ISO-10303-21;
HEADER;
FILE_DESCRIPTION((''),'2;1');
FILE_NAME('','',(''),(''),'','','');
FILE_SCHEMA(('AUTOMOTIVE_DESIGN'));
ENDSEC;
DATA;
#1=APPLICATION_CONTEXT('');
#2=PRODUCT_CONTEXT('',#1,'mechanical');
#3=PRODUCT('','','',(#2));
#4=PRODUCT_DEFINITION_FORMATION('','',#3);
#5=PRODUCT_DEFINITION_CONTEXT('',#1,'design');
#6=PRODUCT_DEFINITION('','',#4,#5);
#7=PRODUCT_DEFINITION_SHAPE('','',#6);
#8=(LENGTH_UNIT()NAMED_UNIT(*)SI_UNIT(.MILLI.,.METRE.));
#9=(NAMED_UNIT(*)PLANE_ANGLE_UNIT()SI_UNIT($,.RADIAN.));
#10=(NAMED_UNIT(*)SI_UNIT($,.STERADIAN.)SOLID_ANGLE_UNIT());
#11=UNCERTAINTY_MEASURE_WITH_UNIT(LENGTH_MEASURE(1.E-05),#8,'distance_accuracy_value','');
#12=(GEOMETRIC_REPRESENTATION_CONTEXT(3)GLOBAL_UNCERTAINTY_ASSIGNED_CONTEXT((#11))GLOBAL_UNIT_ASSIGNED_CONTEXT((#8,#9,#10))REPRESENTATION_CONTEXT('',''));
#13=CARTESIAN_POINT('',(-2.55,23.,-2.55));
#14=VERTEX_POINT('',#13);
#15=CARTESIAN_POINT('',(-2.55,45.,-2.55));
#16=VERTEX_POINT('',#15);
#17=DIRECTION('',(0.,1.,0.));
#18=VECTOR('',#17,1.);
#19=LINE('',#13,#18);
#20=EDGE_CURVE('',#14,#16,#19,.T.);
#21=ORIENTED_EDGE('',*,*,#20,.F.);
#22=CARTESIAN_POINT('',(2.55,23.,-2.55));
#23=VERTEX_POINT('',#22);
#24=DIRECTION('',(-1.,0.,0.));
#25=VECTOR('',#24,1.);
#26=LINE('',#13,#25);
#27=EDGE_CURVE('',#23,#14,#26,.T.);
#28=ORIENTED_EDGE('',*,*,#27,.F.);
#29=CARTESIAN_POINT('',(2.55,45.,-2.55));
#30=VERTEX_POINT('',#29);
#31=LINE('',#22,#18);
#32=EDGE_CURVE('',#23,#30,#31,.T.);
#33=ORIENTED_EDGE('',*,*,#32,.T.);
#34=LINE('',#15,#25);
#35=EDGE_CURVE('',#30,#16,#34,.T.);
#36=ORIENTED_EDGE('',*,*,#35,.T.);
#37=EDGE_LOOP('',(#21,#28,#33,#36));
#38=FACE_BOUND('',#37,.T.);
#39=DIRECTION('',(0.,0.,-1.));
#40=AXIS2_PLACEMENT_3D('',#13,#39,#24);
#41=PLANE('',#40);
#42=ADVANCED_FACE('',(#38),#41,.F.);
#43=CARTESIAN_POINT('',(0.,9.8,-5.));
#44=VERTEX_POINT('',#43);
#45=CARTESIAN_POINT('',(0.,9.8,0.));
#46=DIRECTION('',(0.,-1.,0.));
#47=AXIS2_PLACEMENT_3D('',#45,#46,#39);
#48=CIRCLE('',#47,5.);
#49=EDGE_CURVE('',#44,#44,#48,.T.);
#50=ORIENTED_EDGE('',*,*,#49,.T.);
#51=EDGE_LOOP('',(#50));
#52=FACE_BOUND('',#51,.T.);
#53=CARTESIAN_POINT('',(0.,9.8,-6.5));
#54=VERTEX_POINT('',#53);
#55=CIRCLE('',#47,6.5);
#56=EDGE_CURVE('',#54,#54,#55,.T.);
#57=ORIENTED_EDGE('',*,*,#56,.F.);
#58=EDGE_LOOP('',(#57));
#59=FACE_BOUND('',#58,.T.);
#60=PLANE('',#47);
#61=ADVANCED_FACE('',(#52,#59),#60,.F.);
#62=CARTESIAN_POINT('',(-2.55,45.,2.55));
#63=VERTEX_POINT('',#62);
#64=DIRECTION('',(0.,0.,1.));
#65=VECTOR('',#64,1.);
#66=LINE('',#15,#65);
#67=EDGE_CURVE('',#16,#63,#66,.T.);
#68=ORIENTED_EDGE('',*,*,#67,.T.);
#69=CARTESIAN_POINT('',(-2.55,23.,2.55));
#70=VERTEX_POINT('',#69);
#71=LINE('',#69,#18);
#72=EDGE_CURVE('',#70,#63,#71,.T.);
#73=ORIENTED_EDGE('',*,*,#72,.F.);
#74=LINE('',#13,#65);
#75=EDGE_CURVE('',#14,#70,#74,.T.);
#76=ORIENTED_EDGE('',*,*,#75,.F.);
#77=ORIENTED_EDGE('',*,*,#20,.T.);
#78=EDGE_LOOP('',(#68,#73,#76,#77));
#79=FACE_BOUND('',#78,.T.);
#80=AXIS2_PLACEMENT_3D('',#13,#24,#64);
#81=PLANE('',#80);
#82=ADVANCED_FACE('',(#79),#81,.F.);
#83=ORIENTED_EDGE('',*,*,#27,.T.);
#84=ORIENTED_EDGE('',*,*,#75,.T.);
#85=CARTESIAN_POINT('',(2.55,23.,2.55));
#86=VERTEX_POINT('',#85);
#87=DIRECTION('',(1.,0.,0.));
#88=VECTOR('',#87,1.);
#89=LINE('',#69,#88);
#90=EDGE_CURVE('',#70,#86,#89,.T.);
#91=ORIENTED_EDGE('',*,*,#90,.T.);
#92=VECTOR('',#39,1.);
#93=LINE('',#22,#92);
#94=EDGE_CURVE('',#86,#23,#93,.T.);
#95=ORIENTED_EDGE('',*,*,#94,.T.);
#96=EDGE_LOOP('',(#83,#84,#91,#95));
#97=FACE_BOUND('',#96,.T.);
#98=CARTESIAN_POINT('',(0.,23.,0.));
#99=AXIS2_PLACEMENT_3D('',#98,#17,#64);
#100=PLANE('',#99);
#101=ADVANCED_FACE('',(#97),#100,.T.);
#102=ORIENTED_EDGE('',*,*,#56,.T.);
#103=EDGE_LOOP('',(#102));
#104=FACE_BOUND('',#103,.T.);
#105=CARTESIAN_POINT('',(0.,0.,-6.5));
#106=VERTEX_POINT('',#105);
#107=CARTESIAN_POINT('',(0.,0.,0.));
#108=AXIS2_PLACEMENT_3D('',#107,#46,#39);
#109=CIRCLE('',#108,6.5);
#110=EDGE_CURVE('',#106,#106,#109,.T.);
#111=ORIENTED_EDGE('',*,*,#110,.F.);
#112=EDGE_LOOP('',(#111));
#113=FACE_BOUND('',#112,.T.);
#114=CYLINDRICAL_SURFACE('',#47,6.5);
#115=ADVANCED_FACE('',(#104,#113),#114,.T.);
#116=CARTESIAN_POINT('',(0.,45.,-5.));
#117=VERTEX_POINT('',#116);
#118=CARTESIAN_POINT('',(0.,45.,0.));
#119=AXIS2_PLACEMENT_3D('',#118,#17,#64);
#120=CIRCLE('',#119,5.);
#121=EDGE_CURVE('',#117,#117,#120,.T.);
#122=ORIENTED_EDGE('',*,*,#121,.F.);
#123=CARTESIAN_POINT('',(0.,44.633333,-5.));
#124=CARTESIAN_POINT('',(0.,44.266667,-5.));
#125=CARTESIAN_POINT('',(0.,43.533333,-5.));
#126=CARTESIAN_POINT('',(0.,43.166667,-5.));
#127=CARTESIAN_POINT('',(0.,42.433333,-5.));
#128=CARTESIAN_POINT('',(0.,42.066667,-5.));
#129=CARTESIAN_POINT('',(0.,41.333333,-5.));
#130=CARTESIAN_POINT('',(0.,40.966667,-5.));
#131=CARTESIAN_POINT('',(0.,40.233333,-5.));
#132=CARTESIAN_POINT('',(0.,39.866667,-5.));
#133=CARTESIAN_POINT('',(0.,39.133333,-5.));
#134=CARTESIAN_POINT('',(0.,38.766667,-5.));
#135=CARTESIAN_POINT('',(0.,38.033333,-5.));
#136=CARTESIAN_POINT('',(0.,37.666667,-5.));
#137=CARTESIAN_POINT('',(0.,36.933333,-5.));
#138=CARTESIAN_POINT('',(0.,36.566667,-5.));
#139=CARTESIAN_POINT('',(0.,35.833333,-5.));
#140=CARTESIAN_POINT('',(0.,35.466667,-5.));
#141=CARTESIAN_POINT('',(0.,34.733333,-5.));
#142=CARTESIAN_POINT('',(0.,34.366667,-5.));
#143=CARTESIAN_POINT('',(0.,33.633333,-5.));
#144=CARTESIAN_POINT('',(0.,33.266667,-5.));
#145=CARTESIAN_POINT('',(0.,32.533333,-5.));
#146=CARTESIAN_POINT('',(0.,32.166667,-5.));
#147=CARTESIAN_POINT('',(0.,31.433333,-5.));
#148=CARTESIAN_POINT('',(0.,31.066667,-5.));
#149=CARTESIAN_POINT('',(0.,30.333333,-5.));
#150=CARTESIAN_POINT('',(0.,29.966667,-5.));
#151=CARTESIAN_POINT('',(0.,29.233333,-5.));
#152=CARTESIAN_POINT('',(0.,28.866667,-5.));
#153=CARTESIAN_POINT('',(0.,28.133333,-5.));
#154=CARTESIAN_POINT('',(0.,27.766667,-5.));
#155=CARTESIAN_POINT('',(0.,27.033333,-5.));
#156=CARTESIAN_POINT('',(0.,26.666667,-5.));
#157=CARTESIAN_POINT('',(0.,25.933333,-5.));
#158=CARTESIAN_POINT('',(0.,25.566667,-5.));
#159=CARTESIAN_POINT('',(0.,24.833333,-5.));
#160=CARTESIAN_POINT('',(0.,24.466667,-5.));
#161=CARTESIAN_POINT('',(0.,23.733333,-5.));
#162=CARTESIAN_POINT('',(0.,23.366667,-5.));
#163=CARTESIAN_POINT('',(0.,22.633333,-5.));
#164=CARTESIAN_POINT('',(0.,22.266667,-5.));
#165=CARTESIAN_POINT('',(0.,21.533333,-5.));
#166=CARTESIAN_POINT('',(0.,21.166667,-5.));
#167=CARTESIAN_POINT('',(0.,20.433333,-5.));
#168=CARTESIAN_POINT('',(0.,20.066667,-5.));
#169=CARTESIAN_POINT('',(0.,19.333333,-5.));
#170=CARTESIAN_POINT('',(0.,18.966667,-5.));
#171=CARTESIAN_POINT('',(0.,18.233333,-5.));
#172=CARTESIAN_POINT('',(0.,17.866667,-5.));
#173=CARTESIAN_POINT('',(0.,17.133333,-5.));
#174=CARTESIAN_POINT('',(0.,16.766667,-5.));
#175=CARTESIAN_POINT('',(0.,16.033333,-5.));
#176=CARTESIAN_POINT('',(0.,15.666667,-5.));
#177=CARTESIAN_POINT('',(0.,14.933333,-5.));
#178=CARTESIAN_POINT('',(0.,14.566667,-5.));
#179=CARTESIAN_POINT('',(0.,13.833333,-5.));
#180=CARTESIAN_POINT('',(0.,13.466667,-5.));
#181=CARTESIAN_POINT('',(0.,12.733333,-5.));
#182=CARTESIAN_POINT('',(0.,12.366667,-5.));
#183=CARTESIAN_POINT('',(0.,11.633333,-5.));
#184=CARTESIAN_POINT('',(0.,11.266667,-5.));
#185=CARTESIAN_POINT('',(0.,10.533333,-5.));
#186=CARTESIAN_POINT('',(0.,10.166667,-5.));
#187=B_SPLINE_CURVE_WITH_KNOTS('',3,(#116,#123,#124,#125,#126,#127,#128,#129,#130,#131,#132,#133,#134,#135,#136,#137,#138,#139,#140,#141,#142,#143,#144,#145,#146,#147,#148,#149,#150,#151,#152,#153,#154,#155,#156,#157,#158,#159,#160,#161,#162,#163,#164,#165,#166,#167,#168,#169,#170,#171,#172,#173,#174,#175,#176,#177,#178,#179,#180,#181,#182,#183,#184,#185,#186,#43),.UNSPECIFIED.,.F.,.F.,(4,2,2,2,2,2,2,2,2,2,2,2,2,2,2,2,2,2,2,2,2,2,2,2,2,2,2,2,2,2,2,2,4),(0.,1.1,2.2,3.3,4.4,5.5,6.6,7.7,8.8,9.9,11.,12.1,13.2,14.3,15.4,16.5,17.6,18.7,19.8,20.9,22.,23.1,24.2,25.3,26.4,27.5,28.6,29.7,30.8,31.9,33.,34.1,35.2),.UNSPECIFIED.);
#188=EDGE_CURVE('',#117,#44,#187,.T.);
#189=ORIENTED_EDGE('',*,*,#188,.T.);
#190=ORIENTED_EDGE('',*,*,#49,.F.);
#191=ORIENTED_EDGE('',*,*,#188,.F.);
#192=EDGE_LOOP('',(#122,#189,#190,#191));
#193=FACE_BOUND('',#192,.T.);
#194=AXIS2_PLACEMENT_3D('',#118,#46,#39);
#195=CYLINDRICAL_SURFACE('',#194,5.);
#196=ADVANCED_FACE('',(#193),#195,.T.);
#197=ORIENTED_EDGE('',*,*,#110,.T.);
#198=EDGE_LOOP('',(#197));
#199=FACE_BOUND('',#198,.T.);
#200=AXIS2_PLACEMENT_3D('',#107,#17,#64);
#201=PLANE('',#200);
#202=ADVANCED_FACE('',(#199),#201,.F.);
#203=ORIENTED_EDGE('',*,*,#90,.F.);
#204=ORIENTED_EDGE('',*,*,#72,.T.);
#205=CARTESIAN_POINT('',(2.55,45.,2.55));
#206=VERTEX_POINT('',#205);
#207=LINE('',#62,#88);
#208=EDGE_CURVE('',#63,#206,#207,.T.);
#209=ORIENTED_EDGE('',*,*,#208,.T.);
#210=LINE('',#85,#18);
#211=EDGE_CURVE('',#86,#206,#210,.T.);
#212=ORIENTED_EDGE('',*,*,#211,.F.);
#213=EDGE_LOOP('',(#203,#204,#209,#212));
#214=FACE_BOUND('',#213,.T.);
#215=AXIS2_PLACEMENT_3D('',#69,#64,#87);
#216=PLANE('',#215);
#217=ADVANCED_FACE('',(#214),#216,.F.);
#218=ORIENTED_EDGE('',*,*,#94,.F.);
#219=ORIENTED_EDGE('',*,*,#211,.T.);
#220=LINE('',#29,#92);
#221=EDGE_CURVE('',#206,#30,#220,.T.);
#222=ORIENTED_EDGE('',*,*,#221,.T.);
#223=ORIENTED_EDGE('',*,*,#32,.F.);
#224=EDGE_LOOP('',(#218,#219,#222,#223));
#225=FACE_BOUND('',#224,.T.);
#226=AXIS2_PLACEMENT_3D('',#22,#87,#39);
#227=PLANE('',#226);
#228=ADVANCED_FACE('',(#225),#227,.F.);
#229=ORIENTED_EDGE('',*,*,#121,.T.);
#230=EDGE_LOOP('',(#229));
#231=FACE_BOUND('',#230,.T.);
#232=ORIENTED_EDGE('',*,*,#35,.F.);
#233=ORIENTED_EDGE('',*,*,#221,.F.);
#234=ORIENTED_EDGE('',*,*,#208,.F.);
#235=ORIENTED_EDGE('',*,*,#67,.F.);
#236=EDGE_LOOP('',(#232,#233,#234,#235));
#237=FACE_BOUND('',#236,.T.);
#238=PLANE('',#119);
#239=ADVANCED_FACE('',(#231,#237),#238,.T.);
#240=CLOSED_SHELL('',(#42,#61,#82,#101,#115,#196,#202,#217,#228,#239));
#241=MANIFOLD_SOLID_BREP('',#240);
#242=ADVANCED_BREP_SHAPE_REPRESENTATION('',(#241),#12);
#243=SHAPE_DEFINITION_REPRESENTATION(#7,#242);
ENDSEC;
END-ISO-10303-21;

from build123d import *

# Parameters (mm, degrees)
SKETCH1_R           = 5
BOSS_EXTRUDE1_DEPTH = 45
SKETCH2_W           = 5.1
SKETCH2_H           = 5.1
CUT_EXTRUDE1_DEPTH  = 22
SKETCH3_R           = 6.5
BOSS_EXTRUDE2_DEPTH = 9.8


with BuildPart() as part:
    # Sketch1 → Boss-Extrude1 (new body)
    with BuildSketch(Plane(origin=(0, 0, 0), x_dir=(1, 0, 0), z_dir=(0, 1, 0))):
        with Locations(Location((0, 0, 0), (0, 0, 90))):
            Circle(SKETCH1_R)
    extrude(amount=BOSS_EXTRUDE1_DEPTH)

    # Sketch2 → Cut-Extrude1 (cut)
    with BuildSketch(Plane(origin=(0, 45, 0), x_dir=(1, 0, 0), z_dir=(0, 1, 0))):
        Rectangle(SKETCH2_W, SKETCH2_H)
    extrude(amount=-CUT_EXTRUDE1_DEPTH, mode=Mode.SUBTRACT)

    # Sketch3 → Boss-Extrude2 (add)
    with BuildSketch(Plane.XZ):
        with Locations(Location((0, 0, 0), (0, 0, 270))):
            Circle(SKETCH3_R)
    extrude(amount=-BOSS_EXTRUDE2_DEPTH)


solid = part.part
